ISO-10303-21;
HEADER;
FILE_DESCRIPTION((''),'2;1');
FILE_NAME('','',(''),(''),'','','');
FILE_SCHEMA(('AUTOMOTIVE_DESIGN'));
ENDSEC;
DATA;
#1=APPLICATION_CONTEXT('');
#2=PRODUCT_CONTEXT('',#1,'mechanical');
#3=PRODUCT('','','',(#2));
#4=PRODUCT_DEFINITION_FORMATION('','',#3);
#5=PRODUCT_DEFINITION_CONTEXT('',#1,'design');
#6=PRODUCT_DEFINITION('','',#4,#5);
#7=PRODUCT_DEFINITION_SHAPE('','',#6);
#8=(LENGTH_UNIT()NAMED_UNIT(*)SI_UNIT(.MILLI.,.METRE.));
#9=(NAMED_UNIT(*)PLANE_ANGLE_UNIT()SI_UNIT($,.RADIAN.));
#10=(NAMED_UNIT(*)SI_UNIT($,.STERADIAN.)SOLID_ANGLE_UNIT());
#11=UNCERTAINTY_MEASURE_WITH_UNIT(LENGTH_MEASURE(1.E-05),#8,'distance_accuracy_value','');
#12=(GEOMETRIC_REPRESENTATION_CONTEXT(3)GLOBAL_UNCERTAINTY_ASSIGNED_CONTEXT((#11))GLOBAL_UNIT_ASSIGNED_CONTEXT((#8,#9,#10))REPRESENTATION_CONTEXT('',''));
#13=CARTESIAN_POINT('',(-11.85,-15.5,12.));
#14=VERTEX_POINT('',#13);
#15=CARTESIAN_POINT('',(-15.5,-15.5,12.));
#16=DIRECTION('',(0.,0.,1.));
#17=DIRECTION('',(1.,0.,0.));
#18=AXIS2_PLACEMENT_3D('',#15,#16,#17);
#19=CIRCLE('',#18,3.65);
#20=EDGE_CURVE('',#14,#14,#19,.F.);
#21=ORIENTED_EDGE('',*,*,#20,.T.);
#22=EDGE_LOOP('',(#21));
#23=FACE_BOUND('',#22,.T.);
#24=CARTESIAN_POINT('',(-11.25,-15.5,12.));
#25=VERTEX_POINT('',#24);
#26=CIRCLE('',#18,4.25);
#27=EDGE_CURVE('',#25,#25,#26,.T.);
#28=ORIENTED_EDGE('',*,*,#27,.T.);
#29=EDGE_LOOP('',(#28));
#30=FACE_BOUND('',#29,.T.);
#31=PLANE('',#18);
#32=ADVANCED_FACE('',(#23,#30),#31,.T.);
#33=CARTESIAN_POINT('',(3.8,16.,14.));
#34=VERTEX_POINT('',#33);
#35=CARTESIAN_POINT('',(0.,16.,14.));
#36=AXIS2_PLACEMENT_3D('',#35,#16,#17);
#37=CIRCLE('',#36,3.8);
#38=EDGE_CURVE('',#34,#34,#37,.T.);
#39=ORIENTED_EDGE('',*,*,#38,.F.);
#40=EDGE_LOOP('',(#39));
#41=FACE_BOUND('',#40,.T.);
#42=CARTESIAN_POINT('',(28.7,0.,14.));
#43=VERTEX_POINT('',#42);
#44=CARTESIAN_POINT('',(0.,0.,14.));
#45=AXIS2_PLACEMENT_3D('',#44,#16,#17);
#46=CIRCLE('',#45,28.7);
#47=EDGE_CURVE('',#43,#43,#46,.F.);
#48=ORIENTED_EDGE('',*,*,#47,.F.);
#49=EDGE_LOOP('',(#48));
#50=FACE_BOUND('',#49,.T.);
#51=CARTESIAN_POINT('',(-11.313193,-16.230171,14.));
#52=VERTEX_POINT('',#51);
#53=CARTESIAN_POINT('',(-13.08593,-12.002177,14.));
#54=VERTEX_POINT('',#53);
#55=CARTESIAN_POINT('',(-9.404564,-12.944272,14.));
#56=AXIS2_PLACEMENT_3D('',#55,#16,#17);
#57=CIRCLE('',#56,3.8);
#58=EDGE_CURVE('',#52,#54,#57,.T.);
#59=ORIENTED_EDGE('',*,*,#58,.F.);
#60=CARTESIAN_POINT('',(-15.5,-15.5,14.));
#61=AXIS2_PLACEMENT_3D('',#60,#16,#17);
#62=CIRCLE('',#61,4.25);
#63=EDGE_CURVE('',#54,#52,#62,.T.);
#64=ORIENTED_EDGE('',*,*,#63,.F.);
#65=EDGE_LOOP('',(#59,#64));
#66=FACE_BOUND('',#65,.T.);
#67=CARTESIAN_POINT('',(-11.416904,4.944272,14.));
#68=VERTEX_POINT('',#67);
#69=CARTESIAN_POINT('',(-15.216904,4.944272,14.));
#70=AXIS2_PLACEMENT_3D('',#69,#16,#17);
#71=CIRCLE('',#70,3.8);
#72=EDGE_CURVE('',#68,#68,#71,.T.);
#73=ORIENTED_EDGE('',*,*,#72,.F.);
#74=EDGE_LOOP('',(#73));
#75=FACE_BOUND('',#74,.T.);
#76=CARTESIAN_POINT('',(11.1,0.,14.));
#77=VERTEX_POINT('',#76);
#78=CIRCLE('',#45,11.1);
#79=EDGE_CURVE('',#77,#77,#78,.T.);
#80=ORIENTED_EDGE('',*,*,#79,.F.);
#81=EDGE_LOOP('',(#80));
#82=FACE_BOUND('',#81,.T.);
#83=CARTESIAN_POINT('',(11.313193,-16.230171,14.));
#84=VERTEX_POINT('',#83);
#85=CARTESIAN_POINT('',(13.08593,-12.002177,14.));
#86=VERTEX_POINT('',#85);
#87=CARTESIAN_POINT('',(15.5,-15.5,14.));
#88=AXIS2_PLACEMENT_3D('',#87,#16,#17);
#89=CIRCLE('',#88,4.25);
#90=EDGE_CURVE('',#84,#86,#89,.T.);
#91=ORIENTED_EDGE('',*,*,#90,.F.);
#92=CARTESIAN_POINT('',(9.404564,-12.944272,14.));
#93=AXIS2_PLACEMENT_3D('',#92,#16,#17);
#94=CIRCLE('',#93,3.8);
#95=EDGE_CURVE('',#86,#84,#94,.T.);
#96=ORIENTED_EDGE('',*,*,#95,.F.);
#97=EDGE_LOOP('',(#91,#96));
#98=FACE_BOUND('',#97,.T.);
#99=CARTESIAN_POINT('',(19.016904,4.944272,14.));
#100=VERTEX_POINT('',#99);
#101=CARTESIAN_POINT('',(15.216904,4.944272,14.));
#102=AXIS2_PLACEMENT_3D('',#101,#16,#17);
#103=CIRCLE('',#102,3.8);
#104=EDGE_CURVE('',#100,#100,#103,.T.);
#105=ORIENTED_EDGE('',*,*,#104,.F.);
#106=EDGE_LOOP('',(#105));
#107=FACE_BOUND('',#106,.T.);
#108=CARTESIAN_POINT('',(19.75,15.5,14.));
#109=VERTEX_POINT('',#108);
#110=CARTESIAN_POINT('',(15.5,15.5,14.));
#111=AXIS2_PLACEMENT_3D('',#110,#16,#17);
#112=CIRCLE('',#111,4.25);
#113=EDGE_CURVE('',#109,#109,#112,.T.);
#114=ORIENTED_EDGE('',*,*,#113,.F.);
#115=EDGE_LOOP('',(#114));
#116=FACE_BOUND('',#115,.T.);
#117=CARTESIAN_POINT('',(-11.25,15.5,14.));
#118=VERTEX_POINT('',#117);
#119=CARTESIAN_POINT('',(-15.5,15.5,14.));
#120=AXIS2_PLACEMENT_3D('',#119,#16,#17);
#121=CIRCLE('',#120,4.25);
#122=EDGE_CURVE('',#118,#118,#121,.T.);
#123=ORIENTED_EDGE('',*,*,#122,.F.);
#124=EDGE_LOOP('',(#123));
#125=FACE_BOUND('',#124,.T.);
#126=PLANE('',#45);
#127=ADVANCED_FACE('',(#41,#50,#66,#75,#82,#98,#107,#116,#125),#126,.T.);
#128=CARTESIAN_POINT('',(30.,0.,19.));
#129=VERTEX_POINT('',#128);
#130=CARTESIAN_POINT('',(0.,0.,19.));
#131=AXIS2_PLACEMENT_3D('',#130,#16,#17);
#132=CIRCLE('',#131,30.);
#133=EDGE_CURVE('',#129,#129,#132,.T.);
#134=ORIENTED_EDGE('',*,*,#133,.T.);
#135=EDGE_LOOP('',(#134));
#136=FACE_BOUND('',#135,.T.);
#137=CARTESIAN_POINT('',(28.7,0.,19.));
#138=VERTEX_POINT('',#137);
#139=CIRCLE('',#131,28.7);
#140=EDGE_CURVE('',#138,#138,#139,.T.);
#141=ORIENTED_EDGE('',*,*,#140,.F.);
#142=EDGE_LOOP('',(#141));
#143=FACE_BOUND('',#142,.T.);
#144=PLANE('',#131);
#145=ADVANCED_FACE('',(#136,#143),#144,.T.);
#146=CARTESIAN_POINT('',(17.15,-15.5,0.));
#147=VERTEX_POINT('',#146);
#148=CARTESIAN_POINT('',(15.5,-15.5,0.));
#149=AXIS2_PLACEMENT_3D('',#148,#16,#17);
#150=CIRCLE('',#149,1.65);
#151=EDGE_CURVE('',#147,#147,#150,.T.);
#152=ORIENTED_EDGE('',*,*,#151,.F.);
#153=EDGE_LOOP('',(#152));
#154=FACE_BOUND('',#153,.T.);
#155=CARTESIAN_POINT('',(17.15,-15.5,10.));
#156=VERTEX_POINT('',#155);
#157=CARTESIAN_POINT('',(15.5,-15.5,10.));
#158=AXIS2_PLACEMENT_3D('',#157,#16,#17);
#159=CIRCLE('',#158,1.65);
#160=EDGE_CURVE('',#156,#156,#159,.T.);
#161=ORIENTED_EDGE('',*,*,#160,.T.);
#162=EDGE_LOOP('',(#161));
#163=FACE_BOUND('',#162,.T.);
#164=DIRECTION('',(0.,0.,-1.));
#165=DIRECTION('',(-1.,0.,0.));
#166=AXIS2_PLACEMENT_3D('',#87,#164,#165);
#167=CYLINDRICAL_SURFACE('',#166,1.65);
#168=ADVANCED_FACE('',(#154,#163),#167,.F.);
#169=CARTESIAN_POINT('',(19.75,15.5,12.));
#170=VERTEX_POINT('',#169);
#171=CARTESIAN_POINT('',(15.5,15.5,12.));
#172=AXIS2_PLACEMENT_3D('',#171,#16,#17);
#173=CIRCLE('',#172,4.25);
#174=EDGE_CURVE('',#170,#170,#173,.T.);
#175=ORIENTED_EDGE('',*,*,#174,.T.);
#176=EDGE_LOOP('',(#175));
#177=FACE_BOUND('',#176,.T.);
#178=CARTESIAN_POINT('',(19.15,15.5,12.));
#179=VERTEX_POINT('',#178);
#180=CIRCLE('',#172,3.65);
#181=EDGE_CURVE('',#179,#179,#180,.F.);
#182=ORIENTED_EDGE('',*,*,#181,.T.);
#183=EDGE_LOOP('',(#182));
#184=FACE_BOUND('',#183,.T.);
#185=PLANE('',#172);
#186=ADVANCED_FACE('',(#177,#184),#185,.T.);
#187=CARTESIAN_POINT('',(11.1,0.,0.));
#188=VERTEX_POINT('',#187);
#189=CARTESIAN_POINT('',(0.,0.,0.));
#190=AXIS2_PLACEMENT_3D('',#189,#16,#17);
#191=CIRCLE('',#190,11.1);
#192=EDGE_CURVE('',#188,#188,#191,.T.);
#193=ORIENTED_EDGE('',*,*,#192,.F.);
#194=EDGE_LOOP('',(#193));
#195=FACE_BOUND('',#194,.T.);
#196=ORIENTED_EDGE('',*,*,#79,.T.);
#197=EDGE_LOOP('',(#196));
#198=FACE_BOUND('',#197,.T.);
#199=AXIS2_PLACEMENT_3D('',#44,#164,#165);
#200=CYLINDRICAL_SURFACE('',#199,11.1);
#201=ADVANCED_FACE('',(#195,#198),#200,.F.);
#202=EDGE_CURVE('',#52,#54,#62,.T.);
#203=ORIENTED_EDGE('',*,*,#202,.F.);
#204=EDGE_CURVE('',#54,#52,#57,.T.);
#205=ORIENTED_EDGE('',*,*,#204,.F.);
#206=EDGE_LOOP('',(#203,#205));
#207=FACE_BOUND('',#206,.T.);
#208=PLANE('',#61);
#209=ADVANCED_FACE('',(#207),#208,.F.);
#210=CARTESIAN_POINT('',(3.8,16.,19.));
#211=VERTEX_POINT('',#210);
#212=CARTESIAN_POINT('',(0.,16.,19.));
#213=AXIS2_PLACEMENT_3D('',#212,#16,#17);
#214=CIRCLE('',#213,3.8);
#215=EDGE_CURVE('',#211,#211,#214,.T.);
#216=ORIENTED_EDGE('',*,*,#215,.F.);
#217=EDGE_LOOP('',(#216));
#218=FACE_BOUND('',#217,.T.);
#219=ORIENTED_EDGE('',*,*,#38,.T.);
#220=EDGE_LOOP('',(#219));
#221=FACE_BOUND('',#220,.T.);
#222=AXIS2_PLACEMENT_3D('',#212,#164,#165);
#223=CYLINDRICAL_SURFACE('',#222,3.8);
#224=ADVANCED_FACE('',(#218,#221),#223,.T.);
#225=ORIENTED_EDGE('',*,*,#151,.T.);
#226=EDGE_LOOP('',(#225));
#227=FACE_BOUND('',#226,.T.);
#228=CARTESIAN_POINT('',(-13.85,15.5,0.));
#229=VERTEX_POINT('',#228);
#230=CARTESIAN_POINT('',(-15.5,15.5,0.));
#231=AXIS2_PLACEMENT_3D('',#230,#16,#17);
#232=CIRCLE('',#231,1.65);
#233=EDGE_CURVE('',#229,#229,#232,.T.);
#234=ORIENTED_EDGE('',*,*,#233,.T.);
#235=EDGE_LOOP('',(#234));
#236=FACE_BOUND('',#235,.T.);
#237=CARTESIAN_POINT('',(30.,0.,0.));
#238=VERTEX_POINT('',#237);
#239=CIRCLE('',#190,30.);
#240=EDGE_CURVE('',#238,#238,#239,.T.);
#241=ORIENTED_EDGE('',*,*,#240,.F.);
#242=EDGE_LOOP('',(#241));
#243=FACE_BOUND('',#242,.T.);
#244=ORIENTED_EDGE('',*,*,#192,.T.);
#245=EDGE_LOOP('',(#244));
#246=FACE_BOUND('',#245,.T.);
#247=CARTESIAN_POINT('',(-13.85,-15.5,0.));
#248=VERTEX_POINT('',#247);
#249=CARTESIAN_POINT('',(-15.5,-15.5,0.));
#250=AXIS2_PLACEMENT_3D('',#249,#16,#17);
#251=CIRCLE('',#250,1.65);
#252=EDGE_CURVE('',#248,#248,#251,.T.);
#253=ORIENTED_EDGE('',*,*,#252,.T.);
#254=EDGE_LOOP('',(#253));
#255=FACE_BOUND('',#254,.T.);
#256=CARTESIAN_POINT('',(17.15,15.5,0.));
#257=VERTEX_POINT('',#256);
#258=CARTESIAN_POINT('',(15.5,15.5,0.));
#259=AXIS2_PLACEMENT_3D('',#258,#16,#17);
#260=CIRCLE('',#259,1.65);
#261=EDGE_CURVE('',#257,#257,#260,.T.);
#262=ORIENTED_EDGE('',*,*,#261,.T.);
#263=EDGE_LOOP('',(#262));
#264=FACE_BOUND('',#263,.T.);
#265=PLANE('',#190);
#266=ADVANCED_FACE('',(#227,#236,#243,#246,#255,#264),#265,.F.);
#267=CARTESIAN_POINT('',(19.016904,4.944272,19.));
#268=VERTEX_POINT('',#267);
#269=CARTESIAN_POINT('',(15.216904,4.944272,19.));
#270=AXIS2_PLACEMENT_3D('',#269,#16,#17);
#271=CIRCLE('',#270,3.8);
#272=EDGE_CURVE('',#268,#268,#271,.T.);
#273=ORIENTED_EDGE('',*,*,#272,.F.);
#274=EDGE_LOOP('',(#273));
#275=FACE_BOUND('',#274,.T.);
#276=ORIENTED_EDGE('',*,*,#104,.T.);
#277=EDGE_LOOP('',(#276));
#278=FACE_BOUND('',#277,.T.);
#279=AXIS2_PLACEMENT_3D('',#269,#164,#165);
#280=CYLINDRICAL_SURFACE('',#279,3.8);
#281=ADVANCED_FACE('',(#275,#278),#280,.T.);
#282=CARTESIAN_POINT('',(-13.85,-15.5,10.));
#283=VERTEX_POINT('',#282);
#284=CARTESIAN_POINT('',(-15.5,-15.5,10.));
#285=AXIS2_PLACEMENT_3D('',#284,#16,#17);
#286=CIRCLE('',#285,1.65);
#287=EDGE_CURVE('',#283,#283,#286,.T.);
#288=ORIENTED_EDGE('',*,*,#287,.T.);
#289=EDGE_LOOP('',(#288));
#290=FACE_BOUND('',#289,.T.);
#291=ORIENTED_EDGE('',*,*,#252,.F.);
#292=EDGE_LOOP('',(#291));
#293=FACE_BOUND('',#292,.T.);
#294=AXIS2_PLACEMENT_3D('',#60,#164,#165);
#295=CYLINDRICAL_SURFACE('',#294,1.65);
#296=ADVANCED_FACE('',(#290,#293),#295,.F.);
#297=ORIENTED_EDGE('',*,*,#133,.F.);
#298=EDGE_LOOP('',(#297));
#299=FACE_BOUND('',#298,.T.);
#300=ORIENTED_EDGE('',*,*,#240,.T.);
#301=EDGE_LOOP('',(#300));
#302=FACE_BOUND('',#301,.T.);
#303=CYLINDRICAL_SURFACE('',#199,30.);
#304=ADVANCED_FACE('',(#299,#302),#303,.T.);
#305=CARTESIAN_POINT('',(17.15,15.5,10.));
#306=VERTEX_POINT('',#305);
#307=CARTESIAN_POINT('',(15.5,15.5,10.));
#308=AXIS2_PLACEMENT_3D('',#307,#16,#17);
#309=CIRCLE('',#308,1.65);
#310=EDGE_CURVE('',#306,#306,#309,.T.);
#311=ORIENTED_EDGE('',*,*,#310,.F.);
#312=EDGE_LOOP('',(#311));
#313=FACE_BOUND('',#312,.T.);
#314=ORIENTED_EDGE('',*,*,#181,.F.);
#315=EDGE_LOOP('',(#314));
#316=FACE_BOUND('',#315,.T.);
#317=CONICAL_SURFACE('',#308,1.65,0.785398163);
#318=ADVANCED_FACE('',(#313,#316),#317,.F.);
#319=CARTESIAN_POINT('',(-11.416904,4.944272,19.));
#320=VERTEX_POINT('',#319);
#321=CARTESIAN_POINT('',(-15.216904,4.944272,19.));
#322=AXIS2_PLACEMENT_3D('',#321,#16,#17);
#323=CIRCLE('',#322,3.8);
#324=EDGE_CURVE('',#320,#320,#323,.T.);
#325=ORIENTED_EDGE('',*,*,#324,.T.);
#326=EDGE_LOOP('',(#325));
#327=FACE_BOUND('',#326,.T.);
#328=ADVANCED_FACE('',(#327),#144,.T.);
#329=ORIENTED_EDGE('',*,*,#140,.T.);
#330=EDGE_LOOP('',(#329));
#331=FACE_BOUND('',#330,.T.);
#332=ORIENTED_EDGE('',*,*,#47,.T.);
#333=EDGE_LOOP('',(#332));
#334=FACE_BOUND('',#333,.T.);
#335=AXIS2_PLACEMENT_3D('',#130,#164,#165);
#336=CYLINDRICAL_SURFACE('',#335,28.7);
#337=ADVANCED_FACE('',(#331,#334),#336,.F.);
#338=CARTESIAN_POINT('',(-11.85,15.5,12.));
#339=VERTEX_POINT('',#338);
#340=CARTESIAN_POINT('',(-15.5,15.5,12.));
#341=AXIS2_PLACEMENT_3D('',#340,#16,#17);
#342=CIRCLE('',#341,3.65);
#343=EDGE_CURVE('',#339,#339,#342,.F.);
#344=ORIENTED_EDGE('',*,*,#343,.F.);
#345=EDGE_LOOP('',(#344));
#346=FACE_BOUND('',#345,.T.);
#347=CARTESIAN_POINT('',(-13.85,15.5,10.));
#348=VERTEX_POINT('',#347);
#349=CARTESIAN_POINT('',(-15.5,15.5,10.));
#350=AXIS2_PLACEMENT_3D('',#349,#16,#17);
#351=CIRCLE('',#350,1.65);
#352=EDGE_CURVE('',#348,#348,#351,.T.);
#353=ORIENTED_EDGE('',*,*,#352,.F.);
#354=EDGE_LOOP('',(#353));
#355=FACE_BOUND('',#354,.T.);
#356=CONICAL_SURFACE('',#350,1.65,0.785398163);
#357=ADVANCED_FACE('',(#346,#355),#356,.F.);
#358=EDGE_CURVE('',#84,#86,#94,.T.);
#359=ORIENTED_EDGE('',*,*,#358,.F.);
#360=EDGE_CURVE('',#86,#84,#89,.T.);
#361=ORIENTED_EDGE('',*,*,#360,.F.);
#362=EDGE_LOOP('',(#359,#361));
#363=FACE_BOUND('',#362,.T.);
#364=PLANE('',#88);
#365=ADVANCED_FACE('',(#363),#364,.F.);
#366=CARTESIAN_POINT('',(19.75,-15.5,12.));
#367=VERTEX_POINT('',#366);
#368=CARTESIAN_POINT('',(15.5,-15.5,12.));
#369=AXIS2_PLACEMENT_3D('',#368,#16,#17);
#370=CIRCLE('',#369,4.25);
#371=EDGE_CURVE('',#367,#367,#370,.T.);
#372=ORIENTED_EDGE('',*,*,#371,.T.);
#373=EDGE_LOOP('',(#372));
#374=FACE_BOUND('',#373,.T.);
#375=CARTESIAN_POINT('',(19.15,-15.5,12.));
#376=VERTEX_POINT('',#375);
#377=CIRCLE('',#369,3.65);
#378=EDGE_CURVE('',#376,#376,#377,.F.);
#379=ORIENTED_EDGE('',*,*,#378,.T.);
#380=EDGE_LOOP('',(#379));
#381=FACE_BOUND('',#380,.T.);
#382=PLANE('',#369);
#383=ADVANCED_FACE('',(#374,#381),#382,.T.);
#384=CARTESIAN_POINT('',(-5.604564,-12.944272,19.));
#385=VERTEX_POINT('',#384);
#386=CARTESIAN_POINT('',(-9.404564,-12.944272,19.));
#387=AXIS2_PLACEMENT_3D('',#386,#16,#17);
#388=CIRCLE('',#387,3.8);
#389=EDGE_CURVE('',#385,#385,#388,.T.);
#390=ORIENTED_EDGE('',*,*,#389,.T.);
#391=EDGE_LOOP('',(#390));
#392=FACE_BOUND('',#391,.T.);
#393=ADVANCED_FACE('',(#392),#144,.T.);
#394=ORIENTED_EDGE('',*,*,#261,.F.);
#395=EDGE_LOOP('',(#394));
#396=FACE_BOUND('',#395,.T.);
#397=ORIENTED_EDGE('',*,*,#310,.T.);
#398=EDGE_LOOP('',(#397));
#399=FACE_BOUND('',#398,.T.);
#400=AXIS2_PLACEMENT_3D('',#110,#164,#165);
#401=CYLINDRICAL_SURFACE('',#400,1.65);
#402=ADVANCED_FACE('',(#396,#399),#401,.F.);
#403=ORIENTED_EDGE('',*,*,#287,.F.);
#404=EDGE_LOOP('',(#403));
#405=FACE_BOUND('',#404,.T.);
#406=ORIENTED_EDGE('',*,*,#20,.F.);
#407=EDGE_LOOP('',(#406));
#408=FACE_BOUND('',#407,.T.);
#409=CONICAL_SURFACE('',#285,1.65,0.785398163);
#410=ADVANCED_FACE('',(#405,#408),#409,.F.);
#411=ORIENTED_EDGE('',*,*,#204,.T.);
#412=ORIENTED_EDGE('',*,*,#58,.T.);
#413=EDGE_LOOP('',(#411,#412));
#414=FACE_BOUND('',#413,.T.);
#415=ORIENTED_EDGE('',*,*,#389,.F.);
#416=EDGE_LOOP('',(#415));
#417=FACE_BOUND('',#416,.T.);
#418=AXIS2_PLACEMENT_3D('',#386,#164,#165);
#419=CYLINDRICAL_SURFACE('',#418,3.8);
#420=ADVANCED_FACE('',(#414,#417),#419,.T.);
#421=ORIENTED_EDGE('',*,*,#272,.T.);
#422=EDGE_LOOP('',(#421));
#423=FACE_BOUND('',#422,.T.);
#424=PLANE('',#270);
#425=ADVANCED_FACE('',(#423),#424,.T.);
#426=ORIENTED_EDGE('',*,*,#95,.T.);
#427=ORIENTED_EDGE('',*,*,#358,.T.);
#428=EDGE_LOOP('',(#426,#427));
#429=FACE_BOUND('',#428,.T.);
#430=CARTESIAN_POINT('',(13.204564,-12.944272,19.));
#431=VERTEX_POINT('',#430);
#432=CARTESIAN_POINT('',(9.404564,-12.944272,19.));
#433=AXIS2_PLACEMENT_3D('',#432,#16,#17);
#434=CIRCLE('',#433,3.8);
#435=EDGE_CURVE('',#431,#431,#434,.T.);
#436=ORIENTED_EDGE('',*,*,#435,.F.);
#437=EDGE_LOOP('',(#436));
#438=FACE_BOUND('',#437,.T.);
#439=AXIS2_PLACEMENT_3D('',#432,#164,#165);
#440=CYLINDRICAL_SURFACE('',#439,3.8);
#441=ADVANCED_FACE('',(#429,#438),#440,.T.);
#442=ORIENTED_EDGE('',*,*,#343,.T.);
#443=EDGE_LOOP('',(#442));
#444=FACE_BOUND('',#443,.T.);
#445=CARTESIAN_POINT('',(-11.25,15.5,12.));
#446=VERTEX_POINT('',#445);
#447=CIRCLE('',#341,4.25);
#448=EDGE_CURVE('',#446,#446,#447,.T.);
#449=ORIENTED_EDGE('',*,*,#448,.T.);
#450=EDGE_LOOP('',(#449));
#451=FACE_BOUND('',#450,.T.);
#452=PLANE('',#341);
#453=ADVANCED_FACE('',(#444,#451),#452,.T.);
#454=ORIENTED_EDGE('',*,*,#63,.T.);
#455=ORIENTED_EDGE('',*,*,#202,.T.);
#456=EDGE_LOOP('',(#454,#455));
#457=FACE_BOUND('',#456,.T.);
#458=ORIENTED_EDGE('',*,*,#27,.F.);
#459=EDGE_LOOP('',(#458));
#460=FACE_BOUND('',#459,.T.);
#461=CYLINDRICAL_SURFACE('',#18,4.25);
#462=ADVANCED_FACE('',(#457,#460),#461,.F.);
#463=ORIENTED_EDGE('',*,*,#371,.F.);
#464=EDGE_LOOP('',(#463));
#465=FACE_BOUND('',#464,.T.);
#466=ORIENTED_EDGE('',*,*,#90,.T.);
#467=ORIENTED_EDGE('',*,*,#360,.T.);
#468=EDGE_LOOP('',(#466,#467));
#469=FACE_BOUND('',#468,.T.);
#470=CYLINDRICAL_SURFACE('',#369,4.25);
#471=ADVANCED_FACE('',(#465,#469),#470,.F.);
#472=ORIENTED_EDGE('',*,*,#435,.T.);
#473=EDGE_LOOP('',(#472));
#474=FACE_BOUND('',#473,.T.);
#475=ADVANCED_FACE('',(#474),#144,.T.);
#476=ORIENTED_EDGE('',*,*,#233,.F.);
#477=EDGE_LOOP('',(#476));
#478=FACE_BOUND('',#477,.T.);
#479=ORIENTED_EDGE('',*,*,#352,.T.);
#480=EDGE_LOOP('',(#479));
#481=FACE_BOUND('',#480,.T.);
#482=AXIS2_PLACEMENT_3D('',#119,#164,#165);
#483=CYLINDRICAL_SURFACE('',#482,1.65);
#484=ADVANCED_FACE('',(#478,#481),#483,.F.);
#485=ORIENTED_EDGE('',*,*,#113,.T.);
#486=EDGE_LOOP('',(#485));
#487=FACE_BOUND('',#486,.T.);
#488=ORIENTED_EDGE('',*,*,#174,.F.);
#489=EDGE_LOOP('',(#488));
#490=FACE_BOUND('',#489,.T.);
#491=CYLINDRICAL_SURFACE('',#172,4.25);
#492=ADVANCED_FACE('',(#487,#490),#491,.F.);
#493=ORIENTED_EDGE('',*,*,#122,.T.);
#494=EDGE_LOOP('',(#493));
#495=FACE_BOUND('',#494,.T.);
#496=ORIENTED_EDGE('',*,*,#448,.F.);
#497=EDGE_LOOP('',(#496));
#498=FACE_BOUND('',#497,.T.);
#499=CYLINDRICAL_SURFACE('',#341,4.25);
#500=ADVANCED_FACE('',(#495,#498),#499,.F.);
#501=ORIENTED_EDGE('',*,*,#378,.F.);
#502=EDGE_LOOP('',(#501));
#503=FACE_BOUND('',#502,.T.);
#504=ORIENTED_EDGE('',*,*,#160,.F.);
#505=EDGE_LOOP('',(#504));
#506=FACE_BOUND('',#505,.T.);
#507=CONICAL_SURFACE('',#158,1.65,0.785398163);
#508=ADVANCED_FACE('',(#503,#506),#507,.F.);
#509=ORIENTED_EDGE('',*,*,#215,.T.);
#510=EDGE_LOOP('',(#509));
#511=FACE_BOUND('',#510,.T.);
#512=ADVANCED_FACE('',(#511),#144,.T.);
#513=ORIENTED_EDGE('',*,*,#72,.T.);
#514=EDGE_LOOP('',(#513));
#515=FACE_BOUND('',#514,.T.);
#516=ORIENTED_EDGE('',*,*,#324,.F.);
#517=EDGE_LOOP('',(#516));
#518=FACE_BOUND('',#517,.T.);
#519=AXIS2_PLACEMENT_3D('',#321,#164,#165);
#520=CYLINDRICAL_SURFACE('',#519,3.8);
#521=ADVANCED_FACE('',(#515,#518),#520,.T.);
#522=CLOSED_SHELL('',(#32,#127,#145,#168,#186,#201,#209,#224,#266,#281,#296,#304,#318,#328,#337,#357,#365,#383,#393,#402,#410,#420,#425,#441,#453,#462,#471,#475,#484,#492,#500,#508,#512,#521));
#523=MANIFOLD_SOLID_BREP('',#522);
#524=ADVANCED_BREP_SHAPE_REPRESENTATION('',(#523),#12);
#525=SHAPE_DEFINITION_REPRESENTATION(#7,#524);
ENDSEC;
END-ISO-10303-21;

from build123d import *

# Parameters (mm, degrees)
ESQUISSE1_R             = 30
ESQUISSE1_R_2           = 11.1
ESQUISSE1_R_3           = 1.65
BOSS_EXTRU_1_DEPTH      = 14
ESQUISSE3_R             = 30
ESQUISSE3_R_2           = 28.7
ESQUISSE3_R_3           = 3.8
BOSS_EXTRU_2_DEPTH      = 5
ESQUISSE4_R             = 4.25
ENL_V_MAT_EXTRU_1_DEPTH = 2
CHANFREIN1_SIZE         = 2


with BuildPart() as part:
    # Esquisse1 → Boss.-Extru.1 (new body)
    with BuildSketch(Plane.XY):
        Circle(ESQUISSE1_R)
        Circle(ESQUISSE1_R_2, mode=Mode.SUBTRACT)
        with Locations((-15.5, 15.5)):
            Circle(ESQUISSE1_R_3, mode=Mode.SUBTRACT)
        with Locations((15.5, 15.5)):
            Circle(ESQUISSE1_R_3, mode=Mode.SUBTRACT)
        with Locations((15.5, -15.5)):
            Circle(ESQUISSE1_R_3, mode=Mode.SUBTRACT)
        with Locations((-15.5, -15.5)):
            Circle(ESQUISSE1_R_3, mode=Mode.SUBTRACT)
    extrude(amount=BOSS_EXTRU_1_DEPTH)

    # Esquisse3 → Boss.-Extru.2 (add)
    # profile 1 of 6: a face of its own
    with BuildSketch(Plane.XY.offset(14)):
        Circle(ESQUISSE3_R)
        Circle(ESQUISSE3_R_2, mode=Mode.SUBTRACT)
    # profile 2 of 6: a face of its own
    with BuildSketch(Plane.XY.offset(14)):
        with Locations((-15.216904261, 4.94427191)):
            Circle(ESQUISSE3_R_3)
    # profile 3 of 6: a face of its own
    with BuildSketch(Plane.XY.offset(14)):
        with Locations((0, 16)):
            Circle(ESQUISSE3_R_3)
    # profile 4 of 6: a face of its own
    with BuildSketch(Plane.XY.offset(14)):
        with Locations((9.404564037, -12.94427191)):
            Circle(ESQUISSE3_R_3)
    # profile 5 of 6: a face of its own
    with BuildSketch(Plane.XY.offset(14)):
        with Locations((-9.404564037, -12.94427191)):
            Circle(ESQUISSE3_R_3)
    # profile 6 of 6: a face of its own
    with BuildSketch(Plane.XY.offset(14)):
        with Locations((15.216904261, 4.94427191)):
            Circle(ESQUISSE3_R_3)
    extrude(amount=BOSS_EXTRU_2_DEPTH)

    # Esquisse4 → Enlèv. mat.-Extru.1 (cut)
    with BuildSketch(Plane.XY.offset(14)):
        with Locations((-15.5, 15.5)):
            Circle(ESQUISSE4_R)
        with Locations((15.5, 15.5)):
            Circle(ESQUISSE4_R)
        with Locations((15.5, -15.5)):
            Circle(ESQUISSE4_R)
        with Locations((-15.5, -15.5)):
            Circle(ESQUISSE4_R)
    extrude(amount=-ENL_V_MAT_EXTRU_1_DEPTH, mode=Mode.SUBTRACT)

    # Chanfrein1
    chanfrein1_edges = [part.edges().sort_by_distance(p)[0] for p in [
        (-17.15, -15.5, 12),
        (13.85, -15.5, 12),
        (13.85, 15.5, 12),
        (-17.15, 15.5, 12),
    ]]
    chamfer(chanfrein1_edges, length=CHANFREIN1_SIZE)


solid = part.part
